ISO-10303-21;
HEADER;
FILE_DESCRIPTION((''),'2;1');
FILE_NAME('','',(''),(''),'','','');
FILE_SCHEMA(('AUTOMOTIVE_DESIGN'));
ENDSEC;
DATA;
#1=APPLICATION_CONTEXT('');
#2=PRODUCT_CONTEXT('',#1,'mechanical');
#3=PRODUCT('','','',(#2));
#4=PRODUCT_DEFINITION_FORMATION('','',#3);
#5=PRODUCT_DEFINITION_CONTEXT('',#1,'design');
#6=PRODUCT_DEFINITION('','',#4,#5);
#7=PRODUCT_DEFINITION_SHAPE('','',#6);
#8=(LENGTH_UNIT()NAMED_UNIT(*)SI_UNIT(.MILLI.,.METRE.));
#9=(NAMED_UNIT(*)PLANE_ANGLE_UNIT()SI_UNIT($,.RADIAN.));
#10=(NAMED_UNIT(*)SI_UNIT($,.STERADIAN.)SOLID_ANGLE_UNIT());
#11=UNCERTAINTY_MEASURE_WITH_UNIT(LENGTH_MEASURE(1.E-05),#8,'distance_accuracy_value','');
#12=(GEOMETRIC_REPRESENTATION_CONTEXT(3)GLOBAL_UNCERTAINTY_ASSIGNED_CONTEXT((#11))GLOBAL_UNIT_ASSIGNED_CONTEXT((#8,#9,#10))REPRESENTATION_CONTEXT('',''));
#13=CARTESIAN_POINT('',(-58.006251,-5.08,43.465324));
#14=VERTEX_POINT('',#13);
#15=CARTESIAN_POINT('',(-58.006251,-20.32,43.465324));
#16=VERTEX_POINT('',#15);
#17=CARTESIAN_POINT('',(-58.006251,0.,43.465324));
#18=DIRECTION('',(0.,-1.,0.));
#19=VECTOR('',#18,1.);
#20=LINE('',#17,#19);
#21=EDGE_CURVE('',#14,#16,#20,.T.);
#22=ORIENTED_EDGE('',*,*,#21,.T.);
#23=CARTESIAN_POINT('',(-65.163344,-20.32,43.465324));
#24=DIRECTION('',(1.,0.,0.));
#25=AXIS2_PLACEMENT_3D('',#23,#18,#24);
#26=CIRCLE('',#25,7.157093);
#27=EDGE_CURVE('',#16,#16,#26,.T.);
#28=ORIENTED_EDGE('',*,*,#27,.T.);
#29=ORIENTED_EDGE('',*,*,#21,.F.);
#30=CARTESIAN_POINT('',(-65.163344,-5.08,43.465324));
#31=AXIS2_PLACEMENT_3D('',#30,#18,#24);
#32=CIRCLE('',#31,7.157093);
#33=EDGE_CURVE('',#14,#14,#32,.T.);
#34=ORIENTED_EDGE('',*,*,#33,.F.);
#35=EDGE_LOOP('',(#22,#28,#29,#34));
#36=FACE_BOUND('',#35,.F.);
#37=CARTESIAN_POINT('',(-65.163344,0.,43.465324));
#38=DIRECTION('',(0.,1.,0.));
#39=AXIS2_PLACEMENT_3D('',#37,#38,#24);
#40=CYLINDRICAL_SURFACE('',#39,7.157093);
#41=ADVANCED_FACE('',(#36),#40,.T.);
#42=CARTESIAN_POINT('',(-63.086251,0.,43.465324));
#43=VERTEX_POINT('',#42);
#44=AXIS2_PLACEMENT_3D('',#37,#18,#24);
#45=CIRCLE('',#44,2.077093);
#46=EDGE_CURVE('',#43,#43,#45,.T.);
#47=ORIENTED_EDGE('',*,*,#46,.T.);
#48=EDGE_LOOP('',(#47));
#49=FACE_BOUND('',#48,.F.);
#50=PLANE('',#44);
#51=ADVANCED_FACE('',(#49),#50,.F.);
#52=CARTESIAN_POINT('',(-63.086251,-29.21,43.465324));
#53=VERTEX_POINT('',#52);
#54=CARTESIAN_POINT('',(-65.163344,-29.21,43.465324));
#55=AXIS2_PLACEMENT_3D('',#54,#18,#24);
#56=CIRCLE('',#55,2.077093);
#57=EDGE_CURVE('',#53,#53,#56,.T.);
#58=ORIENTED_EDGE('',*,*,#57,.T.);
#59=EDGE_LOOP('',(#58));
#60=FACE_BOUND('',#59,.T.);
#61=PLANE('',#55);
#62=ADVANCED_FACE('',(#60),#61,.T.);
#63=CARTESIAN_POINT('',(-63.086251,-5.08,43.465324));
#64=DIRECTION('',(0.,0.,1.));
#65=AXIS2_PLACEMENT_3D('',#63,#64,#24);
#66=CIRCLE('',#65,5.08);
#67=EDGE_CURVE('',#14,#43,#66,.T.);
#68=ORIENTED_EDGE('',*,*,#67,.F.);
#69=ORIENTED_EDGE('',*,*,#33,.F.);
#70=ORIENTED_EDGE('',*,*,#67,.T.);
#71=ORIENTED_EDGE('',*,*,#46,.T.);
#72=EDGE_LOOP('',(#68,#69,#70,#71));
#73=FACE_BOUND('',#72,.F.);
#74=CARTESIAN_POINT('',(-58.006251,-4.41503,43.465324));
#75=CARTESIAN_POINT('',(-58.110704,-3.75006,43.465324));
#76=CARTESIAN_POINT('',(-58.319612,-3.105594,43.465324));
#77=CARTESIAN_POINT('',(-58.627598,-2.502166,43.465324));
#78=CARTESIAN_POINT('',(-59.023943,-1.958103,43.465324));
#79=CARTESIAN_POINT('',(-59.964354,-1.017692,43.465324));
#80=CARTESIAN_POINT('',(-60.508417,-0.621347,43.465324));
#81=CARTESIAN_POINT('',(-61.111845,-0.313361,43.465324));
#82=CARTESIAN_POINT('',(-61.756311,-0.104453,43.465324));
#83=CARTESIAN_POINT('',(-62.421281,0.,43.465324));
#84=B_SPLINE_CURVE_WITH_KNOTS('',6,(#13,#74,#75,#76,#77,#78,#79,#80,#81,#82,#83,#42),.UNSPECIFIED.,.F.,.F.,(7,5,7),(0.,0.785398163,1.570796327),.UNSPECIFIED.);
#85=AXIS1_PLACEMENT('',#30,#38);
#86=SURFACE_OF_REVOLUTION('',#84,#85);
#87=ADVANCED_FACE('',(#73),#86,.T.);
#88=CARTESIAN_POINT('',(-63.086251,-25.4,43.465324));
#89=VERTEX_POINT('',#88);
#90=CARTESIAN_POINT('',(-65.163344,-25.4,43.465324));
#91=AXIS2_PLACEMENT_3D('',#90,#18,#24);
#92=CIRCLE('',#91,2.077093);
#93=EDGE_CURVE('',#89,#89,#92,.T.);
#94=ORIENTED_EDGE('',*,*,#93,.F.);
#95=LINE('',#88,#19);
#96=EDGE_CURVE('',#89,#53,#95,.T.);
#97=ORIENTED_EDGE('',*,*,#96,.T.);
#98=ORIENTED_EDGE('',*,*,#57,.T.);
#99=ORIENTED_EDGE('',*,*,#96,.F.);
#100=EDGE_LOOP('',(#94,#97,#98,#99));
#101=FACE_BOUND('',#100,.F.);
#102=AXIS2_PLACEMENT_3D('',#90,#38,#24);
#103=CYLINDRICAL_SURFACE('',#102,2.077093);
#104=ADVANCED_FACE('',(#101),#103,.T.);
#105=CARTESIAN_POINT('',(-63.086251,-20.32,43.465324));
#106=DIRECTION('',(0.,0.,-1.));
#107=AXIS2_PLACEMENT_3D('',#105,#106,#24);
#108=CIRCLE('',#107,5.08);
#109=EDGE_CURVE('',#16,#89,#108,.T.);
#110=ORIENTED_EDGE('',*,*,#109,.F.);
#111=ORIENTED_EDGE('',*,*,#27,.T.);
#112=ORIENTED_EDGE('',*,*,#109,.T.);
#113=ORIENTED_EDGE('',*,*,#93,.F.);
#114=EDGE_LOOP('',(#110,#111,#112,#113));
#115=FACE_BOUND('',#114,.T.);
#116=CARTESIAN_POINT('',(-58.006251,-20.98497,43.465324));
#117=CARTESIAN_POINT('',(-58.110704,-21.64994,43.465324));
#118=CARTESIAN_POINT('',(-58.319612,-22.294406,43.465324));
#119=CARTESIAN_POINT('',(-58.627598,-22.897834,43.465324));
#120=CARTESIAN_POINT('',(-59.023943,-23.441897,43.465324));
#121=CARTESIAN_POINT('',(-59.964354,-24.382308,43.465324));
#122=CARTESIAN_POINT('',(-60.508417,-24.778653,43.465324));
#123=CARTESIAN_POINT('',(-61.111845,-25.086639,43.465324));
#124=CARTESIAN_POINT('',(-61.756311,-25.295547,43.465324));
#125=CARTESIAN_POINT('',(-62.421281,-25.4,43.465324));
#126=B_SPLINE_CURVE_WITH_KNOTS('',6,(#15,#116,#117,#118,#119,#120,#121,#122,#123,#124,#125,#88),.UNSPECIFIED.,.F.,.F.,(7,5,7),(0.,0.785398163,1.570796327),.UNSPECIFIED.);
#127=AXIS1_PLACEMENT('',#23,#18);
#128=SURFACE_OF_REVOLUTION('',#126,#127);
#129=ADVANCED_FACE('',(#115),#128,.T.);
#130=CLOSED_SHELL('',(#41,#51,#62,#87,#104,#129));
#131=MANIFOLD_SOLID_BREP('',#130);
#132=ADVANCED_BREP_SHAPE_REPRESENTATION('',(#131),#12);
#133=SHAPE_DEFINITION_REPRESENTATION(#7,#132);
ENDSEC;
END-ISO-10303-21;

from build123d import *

# Parameters (mm, degrees)
F0_R      = 7.157093
F1_DEPTH  = 25.4
F2_R      = 5.08
F1_FACE_R = 2.077093
F3_DEPTH  = 3.81


with BuildPart() as f1:
    # F0 (on Front) → F1 (new body)
    with BuildSketch(Plane.XZ):
        with Locations((-65.163344, 43.465324)):
            Circle(F0_R)
    extrude(amount=F1_DEPTH)

    # F2
    f2_edges = [f1.edges().sort_by_distance(p)[0] for p in [
        (-72.320437, -25.4, 43.465324),
        (-72.320437, 0, 43.465324),
    ]]
    fillet(f2_edges, radius=F2_R)

    # F1_face (on face) → F3 (join)
    with BuildSketch(Plane(origin=(-65.163344, -25.4, 43.465324), x_dir=(1, 0, 0), z_dir=(0, -1, 0))):
        Circle(F1_FACE_R)
    extrude(amount=F3_DEPTH)


solid = f1.part
